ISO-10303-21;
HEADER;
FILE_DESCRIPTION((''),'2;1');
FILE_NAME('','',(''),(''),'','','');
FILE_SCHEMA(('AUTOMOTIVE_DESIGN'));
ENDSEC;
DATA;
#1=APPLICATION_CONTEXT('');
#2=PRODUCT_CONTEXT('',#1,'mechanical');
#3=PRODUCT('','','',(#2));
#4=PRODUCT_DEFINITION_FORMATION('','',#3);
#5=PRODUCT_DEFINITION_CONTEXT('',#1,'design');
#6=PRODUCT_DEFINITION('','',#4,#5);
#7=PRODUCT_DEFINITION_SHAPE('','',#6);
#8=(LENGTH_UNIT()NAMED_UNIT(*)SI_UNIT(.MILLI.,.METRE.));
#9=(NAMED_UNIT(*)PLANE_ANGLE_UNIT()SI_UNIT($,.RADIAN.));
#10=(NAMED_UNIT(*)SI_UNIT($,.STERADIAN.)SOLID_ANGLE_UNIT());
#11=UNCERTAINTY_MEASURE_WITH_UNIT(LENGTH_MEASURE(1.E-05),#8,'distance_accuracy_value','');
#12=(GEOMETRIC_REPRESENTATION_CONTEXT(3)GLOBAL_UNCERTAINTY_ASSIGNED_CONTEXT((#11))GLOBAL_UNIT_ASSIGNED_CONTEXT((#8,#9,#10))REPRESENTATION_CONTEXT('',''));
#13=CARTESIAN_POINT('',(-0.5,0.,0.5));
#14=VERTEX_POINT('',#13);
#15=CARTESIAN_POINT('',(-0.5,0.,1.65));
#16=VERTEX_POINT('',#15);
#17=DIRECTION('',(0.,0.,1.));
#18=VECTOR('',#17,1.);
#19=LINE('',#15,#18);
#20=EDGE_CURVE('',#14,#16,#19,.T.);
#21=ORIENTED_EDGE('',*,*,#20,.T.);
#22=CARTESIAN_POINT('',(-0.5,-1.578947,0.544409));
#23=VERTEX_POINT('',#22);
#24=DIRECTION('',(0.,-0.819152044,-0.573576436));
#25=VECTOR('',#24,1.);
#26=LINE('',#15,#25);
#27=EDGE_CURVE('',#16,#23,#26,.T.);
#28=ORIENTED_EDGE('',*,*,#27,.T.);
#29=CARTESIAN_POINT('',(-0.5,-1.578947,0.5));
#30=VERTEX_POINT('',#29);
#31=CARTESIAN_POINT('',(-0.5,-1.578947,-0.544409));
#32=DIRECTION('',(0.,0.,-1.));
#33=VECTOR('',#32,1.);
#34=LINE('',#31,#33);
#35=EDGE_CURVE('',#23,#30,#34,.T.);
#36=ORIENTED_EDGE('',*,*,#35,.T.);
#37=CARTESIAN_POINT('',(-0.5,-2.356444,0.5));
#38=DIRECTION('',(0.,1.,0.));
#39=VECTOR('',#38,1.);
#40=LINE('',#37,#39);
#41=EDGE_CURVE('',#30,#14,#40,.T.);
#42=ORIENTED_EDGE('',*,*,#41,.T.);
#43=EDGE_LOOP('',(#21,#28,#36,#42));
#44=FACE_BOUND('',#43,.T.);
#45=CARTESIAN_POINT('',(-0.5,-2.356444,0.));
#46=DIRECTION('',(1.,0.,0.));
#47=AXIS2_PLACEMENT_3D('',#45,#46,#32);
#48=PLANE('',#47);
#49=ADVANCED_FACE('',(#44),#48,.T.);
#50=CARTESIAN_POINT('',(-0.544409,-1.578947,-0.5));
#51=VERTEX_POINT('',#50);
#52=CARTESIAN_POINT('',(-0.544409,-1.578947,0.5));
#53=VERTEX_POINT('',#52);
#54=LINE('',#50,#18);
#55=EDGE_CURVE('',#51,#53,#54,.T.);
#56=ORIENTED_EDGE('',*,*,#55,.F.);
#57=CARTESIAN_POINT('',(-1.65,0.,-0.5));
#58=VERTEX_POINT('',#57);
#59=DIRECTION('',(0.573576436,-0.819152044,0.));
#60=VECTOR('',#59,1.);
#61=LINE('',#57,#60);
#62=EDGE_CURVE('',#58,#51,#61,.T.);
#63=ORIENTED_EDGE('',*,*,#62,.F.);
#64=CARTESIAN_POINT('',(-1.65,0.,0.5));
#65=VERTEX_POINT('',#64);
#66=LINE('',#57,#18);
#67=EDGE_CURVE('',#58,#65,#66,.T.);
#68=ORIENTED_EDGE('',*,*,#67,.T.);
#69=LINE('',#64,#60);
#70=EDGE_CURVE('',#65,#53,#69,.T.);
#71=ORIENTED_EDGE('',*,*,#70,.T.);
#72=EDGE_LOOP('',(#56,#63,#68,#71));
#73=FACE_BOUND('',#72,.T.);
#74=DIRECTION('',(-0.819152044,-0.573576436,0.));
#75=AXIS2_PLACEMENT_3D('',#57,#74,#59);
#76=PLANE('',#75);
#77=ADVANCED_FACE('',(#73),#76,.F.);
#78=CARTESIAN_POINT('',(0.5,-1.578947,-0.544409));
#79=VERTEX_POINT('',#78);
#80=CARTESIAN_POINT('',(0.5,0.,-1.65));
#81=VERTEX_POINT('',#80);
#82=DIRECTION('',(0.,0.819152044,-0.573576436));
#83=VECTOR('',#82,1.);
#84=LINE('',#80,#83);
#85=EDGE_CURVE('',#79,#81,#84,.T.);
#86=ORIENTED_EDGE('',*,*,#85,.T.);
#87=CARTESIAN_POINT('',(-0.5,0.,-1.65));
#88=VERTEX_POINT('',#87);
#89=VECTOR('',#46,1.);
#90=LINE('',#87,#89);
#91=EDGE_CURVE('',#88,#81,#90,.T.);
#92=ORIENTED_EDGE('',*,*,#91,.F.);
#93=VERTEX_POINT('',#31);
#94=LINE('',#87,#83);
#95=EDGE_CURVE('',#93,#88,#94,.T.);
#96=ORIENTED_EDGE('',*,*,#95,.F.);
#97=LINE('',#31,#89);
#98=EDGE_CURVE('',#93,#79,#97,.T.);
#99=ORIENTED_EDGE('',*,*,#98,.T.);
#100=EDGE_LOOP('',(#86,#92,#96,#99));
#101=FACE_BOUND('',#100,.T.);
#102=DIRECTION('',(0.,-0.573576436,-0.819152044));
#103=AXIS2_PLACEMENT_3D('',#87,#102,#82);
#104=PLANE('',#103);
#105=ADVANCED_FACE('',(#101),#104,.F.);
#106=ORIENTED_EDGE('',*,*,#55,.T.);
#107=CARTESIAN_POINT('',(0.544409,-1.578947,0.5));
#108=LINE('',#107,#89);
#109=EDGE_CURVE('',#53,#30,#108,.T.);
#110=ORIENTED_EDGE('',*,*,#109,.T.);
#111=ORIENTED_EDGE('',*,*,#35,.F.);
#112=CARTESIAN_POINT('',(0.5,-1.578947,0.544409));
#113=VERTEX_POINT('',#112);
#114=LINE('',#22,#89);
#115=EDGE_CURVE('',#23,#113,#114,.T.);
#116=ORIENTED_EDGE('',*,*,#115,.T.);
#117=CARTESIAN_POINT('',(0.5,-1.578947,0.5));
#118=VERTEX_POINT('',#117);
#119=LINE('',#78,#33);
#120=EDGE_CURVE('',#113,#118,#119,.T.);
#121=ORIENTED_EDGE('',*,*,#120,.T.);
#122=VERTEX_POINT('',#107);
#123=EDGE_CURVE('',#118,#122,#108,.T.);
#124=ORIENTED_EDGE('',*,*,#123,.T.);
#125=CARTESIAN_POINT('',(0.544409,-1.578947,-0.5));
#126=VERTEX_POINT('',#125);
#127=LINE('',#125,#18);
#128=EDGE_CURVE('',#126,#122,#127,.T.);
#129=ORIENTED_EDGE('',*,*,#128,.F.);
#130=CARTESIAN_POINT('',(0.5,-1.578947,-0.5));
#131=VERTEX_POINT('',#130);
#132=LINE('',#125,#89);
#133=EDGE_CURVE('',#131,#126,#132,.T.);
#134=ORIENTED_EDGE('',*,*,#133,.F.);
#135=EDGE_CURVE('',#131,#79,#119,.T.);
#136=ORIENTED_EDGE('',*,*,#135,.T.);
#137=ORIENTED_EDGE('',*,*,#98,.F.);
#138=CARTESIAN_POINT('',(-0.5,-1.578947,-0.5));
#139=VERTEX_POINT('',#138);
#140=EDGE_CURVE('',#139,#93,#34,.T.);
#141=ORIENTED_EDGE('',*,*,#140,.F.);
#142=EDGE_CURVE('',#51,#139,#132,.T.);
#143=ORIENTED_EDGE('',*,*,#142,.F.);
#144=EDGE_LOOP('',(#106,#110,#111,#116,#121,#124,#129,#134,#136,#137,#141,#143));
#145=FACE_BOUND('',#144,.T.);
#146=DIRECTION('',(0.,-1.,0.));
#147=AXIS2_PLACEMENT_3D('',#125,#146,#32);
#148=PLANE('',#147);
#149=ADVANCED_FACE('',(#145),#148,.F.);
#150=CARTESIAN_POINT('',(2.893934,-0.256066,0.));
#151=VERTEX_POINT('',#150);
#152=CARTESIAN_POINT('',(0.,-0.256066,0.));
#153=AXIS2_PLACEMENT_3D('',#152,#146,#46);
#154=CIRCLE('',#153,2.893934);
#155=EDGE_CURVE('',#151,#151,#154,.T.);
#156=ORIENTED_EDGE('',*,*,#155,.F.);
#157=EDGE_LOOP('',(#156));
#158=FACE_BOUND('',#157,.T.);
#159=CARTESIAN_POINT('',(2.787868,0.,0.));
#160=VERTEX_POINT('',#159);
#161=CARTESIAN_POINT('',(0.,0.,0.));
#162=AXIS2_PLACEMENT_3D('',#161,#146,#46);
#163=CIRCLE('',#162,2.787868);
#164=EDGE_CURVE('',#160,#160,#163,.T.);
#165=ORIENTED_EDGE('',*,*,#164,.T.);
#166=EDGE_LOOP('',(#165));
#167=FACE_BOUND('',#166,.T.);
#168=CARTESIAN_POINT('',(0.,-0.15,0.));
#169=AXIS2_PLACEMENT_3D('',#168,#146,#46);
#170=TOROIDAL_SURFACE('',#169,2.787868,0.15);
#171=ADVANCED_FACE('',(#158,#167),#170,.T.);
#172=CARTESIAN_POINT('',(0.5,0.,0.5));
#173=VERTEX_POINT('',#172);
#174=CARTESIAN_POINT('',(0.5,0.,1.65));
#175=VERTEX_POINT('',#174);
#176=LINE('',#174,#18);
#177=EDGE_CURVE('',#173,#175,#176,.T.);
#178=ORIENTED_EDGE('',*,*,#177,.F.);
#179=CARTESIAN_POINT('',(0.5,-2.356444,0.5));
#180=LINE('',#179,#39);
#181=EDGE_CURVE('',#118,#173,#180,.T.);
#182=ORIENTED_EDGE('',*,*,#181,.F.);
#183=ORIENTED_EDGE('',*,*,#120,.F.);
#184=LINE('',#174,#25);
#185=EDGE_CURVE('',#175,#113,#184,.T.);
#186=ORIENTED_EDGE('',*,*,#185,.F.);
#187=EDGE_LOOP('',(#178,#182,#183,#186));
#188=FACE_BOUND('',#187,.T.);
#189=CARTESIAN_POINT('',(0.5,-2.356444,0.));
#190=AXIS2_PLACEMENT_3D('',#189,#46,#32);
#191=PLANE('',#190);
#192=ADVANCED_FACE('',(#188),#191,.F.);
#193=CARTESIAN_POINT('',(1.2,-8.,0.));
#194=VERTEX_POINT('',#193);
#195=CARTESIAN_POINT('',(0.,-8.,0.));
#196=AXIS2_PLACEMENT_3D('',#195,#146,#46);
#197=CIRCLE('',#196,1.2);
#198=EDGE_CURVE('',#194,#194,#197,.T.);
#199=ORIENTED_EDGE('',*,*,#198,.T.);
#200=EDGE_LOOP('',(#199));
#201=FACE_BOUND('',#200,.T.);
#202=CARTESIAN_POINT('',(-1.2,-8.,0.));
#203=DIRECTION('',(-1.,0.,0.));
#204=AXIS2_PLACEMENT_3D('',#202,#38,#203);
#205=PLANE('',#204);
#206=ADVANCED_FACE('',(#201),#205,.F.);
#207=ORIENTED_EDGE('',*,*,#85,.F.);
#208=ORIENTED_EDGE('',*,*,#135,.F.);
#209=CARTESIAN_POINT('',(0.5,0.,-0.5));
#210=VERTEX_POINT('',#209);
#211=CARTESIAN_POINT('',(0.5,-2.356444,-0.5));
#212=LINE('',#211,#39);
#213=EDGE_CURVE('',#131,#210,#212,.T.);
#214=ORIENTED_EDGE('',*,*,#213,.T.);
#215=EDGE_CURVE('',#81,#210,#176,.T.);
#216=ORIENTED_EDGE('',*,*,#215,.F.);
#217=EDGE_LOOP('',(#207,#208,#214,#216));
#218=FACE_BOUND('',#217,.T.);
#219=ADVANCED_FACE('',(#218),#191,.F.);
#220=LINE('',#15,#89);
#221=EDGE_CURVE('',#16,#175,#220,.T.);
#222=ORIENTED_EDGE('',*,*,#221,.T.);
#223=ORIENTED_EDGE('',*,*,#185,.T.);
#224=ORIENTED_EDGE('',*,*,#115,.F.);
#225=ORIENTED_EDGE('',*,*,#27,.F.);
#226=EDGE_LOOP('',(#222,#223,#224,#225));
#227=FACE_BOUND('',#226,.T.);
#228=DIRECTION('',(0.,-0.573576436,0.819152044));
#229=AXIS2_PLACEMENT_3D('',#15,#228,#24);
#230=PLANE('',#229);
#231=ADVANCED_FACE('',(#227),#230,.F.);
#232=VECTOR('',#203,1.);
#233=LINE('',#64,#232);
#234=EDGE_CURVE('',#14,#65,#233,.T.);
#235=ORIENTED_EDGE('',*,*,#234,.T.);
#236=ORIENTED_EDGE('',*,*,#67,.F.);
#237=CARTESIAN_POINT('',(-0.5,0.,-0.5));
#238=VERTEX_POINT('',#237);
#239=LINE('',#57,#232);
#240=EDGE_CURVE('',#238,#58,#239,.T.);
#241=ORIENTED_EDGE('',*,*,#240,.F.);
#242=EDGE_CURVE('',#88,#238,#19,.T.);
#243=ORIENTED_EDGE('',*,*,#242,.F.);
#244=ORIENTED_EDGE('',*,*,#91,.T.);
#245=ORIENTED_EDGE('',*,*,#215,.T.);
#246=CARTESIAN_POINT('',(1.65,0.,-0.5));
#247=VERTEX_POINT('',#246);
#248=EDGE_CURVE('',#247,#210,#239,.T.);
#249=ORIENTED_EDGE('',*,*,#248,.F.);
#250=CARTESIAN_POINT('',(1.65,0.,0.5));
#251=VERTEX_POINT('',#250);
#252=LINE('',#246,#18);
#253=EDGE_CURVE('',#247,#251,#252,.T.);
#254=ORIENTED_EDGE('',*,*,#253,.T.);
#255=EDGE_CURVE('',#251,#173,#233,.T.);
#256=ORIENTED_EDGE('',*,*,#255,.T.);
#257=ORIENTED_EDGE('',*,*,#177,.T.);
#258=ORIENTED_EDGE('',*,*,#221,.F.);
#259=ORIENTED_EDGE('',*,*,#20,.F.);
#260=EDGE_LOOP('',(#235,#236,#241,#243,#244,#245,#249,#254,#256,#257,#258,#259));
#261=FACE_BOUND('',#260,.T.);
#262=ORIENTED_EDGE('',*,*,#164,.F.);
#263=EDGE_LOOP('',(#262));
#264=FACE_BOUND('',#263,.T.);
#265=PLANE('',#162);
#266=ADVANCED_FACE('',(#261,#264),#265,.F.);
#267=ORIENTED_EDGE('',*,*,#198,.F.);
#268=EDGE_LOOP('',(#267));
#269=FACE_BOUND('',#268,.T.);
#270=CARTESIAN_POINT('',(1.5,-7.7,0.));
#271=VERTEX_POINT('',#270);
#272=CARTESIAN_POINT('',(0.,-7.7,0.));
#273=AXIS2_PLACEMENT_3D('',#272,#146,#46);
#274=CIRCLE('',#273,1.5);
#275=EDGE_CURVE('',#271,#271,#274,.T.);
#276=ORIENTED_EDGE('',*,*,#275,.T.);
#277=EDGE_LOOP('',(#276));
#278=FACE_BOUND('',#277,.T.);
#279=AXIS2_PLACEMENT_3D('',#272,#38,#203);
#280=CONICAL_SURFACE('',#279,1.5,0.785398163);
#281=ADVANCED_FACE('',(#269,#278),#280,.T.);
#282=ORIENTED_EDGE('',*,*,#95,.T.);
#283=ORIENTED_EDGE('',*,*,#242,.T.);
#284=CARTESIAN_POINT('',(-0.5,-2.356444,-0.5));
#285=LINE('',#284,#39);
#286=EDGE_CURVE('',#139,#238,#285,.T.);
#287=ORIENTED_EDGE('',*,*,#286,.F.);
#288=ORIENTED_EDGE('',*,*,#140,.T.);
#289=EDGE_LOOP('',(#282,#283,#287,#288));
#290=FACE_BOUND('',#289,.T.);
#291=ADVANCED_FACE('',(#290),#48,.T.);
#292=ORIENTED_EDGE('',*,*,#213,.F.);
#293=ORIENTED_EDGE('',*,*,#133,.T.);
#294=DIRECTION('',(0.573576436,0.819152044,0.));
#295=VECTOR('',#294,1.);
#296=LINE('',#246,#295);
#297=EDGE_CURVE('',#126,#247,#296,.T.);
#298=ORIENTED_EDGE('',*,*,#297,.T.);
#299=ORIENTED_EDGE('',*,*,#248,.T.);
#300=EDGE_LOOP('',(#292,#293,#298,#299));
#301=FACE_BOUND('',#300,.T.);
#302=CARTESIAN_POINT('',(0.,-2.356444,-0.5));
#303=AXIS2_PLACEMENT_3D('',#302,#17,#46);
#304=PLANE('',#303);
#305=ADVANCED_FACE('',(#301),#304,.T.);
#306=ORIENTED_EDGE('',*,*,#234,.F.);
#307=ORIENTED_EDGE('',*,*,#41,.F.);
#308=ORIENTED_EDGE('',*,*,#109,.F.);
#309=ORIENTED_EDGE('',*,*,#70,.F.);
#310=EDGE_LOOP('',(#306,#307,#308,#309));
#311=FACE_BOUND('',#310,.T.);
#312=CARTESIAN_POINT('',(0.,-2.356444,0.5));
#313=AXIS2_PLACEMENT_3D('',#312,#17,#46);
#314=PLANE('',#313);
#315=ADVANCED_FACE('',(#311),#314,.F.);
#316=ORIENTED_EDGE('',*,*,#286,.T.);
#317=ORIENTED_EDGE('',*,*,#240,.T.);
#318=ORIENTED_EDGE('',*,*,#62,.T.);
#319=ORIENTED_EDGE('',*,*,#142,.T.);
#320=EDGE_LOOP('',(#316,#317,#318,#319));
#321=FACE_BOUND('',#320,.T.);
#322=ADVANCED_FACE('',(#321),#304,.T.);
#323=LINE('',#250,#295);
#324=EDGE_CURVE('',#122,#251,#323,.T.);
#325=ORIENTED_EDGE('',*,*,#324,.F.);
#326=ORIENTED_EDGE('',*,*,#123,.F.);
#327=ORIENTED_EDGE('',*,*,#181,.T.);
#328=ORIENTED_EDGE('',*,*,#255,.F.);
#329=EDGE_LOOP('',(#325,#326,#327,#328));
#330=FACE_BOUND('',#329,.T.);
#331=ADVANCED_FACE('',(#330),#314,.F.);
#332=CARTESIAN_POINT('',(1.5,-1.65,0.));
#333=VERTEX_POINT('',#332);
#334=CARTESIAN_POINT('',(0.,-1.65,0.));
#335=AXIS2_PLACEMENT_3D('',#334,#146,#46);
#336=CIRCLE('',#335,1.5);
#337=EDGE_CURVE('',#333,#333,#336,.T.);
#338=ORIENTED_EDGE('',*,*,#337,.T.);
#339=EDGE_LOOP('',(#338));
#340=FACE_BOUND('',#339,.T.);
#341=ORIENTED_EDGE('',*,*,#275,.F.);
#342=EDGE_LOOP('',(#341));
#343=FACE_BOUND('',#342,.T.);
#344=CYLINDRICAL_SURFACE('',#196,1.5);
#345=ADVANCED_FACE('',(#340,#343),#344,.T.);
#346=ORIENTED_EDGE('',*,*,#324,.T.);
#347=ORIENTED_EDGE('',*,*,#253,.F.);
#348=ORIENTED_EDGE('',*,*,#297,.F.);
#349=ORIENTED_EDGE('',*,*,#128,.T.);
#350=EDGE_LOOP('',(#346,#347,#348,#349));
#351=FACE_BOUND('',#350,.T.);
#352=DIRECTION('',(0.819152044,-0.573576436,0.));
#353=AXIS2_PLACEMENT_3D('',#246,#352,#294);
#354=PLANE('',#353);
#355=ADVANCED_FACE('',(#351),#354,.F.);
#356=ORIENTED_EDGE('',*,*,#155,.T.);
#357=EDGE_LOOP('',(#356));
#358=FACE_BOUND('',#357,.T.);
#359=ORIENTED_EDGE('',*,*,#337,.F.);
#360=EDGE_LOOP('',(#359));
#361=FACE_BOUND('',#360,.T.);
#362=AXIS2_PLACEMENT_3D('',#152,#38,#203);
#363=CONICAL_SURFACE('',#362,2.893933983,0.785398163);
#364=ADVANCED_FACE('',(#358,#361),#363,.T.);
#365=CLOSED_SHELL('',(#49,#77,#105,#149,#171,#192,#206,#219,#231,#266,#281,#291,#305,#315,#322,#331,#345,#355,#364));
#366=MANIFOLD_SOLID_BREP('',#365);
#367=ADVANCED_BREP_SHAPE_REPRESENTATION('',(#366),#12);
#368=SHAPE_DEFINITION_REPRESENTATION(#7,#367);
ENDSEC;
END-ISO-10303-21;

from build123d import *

# Parameters (mm, degrees)
ENL_V_MAT_EXTRU_2_DEPTH      = 0.5
R_P_TITION_CIRCULAIRE2_COUNT = 2
R_P_TITION_CIRCULAIRE2_ANGLE = 90


with BuildPart() as part:
    # Esquisse1 → Révolution1 (revolve)
    with BuildSketch(Plane.XY, mode=Mode.PRIVATE) as r_volution1_sk:
        with BuildLine():
            Line((0, 0), (-2.787867966, 0))
            ThreePointArc((-2.787867966, 0), (-2.926449896, -0.092597485), (-2.893933983, -0.256066017))
            Line((-2.893933983, -0.256066017), (-1.5, -1.65))
            Line((-1.5, -1.65), (-1.5, -7.7))
            Line((-1.5, -7.7), (-1.2, -8))
            Line((-1.2, -8), (0, -8))
            Line((0, -8), (0, 0))
        make_face()
    revolve(r_volution1_sk.sketch.rotate(Axis((0, -8, 0), (0, 1, 0)), 180), axis=Axis((0, -8, 0), (0, 1, 0)))  # turned: the seam where the file's is

    # Esquisse4 → Enlèv. mat.-Extru.2 (cut, symmetric)
    with BuildSketch(Plane.XY):
        Polygon((-1.65, 0), (1.65, 0), (0.54440915, -1.578947368), (-0.54440915, -1.578947368), align=None)
    enl_v_mat_extru_2 = extrude(amount=ENL_V_MAT_EXTRU_2_DEPTH, both=True, mode=Mode.SUBTRACT)

    # Répétition circulaire2: Enlèv. mat.-Extru.2 ×2 about axis
    r_p_tition_circulaire2_axis = Axis((0, 0, 0), (0, 1, 0))
    for i in range(1, R_P_TITION_CIRCULAIRE2_COUNT):
        add(enl_v_mat_extru_2.rotate(r_p_tition_circulaire2_axis, i * R_P_TITION_CIRCULAIRE2_ANGLE / (R_P_TITION_CIRCULAIRE2_COUNT - 1)), mode=Mode.SUBTRACT)


solid = part.part
